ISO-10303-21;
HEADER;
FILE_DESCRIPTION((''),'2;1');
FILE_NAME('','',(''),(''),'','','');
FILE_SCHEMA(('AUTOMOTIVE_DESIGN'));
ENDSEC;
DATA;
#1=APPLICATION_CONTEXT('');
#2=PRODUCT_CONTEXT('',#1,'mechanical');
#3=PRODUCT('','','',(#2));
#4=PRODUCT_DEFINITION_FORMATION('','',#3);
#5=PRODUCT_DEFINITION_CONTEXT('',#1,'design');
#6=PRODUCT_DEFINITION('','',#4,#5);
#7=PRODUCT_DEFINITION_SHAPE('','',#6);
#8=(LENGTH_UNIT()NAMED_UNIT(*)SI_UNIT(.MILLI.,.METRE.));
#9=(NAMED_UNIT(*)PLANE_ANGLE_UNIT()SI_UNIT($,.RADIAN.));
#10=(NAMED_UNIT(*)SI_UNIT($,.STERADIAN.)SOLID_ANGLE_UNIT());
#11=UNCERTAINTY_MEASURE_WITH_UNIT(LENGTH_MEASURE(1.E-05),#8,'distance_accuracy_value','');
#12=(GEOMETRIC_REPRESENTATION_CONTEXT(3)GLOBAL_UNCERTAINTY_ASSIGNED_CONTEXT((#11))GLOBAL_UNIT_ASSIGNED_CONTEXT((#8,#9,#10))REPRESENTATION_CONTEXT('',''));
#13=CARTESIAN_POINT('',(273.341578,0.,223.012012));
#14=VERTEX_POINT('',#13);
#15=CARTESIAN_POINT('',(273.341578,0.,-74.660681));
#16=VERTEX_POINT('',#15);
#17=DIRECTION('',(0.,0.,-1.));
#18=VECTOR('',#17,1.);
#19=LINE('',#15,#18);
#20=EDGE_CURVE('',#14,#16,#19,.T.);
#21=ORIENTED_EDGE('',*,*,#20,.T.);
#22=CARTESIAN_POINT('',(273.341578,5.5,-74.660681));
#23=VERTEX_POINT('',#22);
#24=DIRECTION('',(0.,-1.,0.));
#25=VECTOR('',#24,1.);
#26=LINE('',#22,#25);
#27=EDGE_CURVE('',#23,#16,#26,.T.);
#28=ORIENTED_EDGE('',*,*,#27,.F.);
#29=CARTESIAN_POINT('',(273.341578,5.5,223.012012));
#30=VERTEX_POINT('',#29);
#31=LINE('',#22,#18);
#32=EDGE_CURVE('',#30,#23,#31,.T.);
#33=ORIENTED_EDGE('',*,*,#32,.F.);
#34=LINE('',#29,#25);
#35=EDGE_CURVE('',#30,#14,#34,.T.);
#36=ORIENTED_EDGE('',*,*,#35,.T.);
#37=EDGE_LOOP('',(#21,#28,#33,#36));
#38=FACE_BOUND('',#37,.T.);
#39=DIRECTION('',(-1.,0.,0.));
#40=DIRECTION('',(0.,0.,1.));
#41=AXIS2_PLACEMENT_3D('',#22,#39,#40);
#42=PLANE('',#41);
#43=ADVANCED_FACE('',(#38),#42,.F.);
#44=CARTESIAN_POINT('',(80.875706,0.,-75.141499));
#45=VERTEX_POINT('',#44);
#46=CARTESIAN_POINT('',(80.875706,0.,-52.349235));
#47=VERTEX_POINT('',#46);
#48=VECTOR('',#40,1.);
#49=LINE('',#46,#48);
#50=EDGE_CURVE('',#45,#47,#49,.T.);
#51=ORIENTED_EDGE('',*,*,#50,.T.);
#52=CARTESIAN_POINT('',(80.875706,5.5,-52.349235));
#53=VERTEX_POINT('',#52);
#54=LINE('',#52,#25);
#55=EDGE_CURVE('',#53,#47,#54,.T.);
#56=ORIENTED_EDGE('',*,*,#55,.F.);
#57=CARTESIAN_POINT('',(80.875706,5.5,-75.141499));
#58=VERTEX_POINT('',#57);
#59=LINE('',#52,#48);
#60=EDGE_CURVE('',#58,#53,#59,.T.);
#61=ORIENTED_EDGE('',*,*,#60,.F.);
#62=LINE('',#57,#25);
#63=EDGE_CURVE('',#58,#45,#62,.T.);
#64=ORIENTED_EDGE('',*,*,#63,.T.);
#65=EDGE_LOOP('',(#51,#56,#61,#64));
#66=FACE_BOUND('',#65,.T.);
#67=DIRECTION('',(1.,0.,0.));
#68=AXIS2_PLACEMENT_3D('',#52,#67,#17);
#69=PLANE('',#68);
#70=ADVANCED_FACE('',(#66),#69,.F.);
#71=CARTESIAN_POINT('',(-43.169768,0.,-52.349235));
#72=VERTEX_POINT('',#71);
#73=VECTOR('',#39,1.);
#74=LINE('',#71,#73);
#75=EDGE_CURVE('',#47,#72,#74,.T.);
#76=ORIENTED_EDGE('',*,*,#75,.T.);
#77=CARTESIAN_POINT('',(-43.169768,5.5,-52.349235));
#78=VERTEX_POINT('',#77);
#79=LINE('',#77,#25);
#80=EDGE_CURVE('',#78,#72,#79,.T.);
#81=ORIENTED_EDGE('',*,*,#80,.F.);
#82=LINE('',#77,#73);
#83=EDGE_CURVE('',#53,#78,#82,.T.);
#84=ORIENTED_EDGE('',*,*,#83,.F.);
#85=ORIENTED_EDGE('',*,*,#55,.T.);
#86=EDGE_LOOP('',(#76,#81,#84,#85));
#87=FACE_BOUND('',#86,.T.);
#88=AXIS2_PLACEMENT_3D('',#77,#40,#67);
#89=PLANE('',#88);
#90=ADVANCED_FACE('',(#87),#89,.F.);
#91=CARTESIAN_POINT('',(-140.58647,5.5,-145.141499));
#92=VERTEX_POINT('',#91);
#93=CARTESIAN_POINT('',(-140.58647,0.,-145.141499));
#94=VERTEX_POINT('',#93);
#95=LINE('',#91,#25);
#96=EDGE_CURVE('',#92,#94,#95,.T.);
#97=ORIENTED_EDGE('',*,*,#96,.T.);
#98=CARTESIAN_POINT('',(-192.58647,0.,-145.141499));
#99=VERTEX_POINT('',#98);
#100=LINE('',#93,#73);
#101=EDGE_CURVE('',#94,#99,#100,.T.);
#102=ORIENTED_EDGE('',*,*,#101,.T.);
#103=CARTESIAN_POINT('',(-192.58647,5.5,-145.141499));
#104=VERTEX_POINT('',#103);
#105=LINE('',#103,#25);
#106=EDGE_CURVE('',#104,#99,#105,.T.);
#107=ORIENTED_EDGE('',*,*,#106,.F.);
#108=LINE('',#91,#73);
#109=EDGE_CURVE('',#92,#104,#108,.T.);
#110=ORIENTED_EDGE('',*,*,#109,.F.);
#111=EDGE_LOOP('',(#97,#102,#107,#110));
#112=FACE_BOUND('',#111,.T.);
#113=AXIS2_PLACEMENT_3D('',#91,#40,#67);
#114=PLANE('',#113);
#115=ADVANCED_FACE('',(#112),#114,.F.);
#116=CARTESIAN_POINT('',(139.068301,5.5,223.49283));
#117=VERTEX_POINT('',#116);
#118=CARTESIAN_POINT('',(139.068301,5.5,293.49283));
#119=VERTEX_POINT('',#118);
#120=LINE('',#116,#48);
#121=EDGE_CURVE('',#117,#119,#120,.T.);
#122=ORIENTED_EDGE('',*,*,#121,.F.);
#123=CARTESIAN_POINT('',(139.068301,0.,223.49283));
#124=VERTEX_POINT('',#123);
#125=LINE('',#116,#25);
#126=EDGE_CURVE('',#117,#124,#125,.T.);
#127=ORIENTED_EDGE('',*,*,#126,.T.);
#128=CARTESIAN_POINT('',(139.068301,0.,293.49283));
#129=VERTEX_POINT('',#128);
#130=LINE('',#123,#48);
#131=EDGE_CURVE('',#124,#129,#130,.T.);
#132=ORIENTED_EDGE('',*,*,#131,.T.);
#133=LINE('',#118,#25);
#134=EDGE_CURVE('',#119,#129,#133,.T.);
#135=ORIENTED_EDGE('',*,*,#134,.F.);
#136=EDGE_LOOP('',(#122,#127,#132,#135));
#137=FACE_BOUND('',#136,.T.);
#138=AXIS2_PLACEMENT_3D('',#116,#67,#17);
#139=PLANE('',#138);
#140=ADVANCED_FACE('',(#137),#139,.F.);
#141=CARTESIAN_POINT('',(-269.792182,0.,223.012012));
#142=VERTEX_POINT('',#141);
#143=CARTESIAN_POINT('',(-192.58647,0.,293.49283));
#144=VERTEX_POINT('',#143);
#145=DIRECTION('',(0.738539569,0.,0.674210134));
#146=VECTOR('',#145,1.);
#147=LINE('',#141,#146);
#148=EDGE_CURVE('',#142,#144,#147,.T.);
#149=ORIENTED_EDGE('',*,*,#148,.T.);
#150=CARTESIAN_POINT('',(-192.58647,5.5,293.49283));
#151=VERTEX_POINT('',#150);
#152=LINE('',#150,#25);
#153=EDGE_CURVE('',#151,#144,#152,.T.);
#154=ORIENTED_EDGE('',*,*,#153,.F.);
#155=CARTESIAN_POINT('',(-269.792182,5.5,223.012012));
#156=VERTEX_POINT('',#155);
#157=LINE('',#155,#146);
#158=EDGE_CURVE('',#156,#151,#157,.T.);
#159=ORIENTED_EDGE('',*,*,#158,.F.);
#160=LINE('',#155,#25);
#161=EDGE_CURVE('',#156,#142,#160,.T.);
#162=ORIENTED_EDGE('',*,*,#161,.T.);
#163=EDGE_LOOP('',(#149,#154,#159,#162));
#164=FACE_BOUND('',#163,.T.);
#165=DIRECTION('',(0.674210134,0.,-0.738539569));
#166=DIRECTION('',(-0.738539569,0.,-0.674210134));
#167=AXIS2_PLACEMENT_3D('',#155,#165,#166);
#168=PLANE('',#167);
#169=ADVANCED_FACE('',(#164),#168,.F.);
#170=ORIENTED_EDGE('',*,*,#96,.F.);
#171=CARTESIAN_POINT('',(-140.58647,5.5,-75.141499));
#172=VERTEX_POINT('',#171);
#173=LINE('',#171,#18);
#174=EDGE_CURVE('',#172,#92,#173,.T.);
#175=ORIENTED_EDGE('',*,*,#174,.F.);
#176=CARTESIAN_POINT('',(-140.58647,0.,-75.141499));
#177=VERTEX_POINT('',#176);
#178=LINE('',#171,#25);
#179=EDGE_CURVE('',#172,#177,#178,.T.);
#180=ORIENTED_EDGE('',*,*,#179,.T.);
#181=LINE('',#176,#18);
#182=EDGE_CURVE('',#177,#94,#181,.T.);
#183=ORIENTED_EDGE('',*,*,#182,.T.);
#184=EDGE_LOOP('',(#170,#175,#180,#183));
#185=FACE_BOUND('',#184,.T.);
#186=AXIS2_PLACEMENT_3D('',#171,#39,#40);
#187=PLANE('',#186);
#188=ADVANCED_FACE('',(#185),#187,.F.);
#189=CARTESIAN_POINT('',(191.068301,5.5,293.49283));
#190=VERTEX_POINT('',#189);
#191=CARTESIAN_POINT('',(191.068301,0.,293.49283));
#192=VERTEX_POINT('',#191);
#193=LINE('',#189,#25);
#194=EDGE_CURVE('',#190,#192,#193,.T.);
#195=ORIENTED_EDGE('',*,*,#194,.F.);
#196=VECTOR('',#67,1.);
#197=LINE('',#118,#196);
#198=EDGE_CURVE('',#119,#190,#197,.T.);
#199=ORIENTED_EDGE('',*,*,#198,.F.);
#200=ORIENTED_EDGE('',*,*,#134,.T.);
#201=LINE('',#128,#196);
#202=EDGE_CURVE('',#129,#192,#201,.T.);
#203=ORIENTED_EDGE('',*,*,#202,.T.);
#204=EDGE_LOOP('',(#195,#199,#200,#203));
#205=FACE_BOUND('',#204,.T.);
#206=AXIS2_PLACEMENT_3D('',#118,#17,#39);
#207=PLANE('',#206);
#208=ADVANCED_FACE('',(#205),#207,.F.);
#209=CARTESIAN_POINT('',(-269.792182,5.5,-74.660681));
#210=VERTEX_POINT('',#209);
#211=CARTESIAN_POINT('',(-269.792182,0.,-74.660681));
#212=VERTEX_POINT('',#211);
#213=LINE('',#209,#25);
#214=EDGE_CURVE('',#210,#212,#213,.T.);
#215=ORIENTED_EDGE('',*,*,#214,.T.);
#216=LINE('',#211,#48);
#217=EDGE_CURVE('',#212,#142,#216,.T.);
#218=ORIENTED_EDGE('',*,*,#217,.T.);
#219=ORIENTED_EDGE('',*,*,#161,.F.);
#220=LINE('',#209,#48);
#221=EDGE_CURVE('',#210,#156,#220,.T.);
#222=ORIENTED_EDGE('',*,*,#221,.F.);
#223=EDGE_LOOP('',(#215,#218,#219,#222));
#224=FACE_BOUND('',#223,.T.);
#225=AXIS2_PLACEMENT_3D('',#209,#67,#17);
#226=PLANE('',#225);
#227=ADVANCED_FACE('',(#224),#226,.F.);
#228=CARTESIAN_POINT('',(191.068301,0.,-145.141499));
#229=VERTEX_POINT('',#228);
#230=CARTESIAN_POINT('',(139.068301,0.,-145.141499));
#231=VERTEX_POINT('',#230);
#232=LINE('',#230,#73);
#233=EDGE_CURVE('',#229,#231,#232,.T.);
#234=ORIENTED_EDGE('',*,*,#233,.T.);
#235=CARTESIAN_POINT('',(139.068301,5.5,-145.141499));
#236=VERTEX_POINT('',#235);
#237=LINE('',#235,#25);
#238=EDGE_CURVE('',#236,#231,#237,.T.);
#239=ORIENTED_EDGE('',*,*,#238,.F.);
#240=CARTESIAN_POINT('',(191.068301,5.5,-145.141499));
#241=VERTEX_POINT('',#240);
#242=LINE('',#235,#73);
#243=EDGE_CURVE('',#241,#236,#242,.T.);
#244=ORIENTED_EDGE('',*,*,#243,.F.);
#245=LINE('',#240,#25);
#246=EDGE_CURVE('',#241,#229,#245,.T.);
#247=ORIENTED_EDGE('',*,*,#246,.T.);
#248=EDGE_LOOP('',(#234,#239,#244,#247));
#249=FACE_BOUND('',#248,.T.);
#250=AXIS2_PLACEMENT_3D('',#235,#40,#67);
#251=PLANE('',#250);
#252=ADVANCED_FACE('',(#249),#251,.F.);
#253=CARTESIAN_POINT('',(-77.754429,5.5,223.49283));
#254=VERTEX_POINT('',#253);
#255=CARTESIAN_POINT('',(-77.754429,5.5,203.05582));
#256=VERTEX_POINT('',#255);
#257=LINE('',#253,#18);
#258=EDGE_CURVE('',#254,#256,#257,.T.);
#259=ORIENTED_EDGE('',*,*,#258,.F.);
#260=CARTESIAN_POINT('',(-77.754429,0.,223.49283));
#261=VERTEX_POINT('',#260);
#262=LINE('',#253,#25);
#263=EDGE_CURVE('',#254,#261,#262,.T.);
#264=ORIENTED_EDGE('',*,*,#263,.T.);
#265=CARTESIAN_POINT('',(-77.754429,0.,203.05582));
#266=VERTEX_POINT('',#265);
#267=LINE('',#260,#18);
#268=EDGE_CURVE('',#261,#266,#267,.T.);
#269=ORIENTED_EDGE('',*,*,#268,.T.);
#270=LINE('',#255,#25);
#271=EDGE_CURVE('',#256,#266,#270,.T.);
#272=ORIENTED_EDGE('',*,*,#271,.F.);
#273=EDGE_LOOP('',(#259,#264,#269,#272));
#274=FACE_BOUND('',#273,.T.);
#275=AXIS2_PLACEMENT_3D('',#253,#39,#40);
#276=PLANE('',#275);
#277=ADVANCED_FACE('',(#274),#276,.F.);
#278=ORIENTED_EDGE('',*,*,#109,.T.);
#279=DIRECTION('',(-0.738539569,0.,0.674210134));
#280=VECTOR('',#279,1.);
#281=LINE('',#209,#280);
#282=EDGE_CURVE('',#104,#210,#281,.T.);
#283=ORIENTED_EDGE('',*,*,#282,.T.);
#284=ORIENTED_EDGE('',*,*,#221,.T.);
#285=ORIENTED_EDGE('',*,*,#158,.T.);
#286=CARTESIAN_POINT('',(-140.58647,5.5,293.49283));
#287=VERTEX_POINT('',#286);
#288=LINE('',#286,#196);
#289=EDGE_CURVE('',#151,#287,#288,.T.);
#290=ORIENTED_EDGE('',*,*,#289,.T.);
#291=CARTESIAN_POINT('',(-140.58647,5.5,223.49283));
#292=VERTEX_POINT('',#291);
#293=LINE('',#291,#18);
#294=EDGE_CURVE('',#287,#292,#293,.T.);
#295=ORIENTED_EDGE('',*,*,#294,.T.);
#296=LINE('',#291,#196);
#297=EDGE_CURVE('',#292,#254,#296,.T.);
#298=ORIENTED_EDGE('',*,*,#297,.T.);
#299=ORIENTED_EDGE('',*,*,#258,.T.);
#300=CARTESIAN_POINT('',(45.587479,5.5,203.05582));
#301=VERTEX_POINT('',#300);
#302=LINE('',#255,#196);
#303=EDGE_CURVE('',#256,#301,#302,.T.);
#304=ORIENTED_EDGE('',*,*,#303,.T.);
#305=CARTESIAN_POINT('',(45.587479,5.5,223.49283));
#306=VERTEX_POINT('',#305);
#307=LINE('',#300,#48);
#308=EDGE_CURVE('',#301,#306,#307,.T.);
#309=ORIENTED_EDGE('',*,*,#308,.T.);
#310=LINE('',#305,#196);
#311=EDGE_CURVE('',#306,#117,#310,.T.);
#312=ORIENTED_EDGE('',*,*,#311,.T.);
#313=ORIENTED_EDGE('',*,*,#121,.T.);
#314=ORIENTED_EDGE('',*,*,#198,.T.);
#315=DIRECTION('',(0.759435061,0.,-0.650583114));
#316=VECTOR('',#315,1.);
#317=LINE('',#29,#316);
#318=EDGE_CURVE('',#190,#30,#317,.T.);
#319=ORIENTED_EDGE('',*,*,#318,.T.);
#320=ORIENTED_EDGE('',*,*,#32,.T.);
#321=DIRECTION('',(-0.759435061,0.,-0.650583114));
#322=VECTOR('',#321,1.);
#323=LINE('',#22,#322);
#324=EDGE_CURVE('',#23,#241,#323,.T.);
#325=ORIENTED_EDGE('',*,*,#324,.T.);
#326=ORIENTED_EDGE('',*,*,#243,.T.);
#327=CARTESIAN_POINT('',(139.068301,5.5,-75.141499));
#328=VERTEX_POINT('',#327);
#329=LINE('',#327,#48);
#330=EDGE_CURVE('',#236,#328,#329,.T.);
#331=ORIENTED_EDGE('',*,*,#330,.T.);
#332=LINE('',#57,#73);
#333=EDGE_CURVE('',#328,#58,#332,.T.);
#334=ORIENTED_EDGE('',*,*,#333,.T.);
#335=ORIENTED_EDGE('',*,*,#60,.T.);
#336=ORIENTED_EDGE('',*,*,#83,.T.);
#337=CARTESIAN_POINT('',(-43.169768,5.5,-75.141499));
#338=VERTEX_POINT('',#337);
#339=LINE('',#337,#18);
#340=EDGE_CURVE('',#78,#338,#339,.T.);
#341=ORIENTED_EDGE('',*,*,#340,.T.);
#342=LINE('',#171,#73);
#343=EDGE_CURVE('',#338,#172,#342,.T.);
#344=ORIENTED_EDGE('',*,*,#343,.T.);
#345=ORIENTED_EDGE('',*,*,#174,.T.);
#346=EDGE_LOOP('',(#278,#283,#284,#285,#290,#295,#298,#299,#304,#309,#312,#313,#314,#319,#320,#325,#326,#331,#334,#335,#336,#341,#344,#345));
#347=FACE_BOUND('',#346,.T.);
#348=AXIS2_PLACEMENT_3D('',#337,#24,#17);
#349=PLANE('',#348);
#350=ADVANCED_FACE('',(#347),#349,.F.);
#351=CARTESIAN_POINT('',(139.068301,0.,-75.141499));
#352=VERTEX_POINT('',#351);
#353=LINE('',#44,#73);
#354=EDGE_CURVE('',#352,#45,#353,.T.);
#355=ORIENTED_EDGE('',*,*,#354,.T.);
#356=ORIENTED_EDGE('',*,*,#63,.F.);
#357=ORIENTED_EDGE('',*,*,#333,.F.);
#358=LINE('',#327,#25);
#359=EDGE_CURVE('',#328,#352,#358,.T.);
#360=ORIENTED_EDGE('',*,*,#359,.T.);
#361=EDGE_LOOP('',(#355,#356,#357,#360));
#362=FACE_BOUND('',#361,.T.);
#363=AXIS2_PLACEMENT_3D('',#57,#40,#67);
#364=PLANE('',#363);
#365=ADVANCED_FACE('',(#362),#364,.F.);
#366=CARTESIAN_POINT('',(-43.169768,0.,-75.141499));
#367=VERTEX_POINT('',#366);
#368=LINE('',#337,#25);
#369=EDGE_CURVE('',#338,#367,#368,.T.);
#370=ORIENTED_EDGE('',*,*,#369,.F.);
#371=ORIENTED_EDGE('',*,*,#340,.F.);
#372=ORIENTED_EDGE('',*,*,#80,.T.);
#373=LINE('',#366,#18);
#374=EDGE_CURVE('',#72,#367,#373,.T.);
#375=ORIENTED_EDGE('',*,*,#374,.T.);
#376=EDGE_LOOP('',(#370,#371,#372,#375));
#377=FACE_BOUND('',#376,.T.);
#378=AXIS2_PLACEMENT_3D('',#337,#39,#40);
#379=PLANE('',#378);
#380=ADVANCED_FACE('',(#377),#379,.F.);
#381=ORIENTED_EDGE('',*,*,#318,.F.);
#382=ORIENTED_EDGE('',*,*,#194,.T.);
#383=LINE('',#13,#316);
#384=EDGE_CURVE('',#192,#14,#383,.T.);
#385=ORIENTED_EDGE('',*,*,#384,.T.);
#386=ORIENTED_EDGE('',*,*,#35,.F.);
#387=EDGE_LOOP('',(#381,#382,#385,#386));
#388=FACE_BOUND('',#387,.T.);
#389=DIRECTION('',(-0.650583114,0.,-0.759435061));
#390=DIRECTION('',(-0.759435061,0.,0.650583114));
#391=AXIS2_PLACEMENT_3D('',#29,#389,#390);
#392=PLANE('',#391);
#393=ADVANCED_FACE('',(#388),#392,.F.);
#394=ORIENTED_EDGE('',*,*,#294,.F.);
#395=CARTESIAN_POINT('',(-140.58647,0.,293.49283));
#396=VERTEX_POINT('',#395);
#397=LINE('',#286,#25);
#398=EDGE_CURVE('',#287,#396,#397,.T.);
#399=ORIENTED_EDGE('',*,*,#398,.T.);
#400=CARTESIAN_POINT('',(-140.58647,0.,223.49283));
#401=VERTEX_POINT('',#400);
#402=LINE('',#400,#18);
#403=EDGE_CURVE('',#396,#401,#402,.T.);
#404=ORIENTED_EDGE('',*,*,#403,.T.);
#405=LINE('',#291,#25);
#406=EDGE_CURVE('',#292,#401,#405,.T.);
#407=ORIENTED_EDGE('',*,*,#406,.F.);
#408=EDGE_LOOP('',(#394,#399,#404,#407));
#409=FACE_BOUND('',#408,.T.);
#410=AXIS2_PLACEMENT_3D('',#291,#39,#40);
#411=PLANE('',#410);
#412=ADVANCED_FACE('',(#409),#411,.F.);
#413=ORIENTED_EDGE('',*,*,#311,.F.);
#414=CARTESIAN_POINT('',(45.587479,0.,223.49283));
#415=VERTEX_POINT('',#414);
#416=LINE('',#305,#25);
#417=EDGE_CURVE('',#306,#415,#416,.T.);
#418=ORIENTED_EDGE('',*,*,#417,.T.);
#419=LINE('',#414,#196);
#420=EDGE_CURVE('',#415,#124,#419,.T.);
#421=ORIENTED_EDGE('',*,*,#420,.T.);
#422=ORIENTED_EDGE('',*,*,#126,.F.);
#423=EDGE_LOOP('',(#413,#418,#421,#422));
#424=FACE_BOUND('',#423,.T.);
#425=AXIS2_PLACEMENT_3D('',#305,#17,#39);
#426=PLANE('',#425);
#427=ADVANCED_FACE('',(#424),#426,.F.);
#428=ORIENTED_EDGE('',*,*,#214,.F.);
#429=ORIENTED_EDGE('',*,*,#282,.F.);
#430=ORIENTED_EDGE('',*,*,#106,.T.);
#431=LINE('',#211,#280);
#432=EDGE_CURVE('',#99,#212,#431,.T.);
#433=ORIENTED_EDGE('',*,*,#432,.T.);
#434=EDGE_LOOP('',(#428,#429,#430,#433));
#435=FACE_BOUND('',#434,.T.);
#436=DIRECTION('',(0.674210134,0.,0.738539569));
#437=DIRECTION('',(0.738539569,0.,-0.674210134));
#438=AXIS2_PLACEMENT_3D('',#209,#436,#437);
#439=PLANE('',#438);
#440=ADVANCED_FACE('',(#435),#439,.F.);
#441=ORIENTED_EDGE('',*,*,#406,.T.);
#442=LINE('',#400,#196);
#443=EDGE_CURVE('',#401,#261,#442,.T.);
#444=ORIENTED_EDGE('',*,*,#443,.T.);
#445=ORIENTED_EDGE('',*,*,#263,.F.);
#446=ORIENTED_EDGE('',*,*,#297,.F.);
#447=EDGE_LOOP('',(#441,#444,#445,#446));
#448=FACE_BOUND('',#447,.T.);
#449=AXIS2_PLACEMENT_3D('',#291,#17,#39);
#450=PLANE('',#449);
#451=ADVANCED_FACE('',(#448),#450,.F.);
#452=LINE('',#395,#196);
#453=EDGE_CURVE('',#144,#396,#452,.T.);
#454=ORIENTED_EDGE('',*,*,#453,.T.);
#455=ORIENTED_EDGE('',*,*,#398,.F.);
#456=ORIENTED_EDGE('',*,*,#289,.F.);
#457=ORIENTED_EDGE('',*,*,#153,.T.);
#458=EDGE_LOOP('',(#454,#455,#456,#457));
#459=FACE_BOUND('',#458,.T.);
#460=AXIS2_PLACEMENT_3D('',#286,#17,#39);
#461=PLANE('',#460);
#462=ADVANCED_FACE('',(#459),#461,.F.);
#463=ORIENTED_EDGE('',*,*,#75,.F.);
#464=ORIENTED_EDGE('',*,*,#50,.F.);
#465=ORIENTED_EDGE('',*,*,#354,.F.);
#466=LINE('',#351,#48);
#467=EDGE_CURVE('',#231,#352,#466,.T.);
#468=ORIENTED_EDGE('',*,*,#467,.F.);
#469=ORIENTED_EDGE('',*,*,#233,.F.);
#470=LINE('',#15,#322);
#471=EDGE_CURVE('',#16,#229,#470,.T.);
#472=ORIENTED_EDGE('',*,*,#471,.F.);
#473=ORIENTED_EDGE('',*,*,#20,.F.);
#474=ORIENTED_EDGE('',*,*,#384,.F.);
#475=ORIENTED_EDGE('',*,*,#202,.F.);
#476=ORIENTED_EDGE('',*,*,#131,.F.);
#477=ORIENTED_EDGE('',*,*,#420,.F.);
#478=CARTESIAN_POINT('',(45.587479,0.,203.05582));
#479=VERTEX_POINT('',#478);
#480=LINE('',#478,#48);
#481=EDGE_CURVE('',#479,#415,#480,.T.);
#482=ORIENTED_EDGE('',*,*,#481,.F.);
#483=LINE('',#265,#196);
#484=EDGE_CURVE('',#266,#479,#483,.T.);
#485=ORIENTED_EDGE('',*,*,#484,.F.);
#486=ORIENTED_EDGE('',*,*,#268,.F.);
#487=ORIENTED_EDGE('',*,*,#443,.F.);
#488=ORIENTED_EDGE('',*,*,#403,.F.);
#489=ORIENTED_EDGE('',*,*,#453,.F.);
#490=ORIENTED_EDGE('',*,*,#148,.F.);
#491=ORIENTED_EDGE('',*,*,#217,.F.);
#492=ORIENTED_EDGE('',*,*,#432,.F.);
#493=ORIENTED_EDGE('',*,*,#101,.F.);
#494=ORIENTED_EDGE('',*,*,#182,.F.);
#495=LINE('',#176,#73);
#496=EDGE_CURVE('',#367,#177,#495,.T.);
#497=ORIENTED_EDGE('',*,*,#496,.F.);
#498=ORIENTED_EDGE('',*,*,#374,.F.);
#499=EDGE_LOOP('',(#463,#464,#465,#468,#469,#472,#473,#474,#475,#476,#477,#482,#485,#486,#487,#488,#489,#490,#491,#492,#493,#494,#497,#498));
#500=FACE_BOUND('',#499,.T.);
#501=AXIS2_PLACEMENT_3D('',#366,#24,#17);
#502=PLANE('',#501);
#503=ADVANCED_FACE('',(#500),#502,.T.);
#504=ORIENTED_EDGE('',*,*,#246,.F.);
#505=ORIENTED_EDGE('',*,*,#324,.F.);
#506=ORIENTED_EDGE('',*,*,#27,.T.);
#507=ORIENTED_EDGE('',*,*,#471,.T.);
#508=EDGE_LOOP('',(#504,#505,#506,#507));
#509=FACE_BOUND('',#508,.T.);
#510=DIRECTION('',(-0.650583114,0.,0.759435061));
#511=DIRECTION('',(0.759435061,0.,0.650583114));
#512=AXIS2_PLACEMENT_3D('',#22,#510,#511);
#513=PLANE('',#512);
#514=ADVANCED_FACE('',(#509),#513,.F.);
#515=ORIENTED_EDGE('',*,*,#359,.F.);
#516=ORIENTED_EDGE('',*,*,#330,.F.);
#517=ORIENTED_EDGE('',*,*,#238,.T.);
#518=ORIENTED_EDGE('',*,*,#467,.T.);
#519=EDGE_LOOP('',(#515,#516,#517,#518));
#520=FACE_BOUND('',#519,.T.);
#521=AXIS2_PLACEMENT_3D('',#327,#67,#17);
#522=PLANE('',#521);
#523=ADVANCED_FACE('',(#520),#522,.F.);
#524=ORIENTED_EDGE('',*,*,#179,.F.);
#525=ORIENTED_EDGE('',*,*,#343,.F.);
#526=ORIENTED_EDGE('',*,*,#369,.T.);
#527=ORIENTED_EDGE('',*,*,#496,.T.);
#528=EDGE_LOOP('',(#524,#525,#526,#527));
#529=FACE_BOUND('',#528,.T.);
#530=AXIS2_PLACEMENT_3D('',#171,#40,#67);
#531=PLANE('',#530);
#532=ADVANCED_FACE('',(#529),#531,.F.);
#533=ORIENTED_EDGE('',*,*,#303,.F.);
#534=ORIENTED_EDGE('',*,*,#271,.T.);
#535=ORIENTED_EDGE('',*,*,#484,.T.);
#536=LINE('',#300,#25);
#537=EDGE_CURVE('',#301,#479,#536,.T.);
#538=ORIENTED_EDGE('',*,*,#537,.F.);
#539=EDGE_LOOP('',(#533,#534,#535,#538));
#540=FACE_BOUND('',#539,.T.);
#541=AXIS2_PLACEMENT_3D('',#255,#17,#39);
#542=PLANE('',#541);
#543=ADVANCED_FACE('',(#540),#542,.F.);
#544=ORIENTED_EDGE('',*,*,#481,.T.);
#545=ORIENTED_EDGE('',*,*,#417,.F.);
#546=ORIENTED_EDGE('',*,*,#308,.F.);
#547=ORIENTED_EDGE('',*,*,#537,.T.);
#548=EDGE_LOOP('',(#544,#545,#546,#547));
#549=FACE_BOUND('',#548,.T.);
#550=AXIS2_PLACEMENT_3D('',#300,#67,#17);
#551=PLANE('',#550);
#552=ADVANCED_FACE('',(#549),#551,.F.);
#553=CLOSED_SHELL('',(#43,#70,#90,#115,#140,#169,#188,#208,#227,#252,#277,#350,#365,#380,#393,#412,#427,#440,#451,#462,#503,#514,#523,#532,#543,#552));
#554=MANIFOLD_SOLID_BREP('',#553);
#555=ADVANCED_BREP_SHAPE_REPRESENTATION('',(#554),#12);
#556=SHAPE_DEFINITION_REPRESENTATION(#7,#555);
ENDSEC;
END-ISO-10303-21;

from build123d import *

# Parameters (mm, degrees)
EXTRUDE_1_DEPTH = 5.5


with BuildPart() as part:
    # Эскиз1 → Вытянуть1 (new body)
    with BuildSketch(Plane(origin=(0, 0, 0), x_dir=(1, 0, 0), z_dir=(0, 1, 0))):
        Polygon((-43.169767838, 75.141499308), (-43.169767838, 52.349234646), (80.875705743, 52.349234646), (80.875705743, 75.141499308), (139.068300868, 75.141499308), (139.068300868, 145.141499308), (191.068300868, 145.141499308), (273.341577689, 74.660680838), (273.341577689, -223.012011978), (191.068300868, -293.492830448), (139.068300868, -293.492830448), (139.068300868, -223.492830448), (45.587479179, -223.492830448), (45.587479179, -203.055820243), (-77.754429326, -203.055820243), (-77.754429326, -223.492830448), (-140.586469874, -223.492830448), (-140.586469874, -293.492830448), (-192.586469874, -293.492830448), (-269.7921816, -223.012011978), (-269.7921816, 74.660680838), (-192.586469874, 145.141499308), (-140.586469874, 145.141499308), (-140.586469874, 75.141499308), align=None)
    extrude(amount=EXTRUDE_1_DEPTH)


solid = part.part
